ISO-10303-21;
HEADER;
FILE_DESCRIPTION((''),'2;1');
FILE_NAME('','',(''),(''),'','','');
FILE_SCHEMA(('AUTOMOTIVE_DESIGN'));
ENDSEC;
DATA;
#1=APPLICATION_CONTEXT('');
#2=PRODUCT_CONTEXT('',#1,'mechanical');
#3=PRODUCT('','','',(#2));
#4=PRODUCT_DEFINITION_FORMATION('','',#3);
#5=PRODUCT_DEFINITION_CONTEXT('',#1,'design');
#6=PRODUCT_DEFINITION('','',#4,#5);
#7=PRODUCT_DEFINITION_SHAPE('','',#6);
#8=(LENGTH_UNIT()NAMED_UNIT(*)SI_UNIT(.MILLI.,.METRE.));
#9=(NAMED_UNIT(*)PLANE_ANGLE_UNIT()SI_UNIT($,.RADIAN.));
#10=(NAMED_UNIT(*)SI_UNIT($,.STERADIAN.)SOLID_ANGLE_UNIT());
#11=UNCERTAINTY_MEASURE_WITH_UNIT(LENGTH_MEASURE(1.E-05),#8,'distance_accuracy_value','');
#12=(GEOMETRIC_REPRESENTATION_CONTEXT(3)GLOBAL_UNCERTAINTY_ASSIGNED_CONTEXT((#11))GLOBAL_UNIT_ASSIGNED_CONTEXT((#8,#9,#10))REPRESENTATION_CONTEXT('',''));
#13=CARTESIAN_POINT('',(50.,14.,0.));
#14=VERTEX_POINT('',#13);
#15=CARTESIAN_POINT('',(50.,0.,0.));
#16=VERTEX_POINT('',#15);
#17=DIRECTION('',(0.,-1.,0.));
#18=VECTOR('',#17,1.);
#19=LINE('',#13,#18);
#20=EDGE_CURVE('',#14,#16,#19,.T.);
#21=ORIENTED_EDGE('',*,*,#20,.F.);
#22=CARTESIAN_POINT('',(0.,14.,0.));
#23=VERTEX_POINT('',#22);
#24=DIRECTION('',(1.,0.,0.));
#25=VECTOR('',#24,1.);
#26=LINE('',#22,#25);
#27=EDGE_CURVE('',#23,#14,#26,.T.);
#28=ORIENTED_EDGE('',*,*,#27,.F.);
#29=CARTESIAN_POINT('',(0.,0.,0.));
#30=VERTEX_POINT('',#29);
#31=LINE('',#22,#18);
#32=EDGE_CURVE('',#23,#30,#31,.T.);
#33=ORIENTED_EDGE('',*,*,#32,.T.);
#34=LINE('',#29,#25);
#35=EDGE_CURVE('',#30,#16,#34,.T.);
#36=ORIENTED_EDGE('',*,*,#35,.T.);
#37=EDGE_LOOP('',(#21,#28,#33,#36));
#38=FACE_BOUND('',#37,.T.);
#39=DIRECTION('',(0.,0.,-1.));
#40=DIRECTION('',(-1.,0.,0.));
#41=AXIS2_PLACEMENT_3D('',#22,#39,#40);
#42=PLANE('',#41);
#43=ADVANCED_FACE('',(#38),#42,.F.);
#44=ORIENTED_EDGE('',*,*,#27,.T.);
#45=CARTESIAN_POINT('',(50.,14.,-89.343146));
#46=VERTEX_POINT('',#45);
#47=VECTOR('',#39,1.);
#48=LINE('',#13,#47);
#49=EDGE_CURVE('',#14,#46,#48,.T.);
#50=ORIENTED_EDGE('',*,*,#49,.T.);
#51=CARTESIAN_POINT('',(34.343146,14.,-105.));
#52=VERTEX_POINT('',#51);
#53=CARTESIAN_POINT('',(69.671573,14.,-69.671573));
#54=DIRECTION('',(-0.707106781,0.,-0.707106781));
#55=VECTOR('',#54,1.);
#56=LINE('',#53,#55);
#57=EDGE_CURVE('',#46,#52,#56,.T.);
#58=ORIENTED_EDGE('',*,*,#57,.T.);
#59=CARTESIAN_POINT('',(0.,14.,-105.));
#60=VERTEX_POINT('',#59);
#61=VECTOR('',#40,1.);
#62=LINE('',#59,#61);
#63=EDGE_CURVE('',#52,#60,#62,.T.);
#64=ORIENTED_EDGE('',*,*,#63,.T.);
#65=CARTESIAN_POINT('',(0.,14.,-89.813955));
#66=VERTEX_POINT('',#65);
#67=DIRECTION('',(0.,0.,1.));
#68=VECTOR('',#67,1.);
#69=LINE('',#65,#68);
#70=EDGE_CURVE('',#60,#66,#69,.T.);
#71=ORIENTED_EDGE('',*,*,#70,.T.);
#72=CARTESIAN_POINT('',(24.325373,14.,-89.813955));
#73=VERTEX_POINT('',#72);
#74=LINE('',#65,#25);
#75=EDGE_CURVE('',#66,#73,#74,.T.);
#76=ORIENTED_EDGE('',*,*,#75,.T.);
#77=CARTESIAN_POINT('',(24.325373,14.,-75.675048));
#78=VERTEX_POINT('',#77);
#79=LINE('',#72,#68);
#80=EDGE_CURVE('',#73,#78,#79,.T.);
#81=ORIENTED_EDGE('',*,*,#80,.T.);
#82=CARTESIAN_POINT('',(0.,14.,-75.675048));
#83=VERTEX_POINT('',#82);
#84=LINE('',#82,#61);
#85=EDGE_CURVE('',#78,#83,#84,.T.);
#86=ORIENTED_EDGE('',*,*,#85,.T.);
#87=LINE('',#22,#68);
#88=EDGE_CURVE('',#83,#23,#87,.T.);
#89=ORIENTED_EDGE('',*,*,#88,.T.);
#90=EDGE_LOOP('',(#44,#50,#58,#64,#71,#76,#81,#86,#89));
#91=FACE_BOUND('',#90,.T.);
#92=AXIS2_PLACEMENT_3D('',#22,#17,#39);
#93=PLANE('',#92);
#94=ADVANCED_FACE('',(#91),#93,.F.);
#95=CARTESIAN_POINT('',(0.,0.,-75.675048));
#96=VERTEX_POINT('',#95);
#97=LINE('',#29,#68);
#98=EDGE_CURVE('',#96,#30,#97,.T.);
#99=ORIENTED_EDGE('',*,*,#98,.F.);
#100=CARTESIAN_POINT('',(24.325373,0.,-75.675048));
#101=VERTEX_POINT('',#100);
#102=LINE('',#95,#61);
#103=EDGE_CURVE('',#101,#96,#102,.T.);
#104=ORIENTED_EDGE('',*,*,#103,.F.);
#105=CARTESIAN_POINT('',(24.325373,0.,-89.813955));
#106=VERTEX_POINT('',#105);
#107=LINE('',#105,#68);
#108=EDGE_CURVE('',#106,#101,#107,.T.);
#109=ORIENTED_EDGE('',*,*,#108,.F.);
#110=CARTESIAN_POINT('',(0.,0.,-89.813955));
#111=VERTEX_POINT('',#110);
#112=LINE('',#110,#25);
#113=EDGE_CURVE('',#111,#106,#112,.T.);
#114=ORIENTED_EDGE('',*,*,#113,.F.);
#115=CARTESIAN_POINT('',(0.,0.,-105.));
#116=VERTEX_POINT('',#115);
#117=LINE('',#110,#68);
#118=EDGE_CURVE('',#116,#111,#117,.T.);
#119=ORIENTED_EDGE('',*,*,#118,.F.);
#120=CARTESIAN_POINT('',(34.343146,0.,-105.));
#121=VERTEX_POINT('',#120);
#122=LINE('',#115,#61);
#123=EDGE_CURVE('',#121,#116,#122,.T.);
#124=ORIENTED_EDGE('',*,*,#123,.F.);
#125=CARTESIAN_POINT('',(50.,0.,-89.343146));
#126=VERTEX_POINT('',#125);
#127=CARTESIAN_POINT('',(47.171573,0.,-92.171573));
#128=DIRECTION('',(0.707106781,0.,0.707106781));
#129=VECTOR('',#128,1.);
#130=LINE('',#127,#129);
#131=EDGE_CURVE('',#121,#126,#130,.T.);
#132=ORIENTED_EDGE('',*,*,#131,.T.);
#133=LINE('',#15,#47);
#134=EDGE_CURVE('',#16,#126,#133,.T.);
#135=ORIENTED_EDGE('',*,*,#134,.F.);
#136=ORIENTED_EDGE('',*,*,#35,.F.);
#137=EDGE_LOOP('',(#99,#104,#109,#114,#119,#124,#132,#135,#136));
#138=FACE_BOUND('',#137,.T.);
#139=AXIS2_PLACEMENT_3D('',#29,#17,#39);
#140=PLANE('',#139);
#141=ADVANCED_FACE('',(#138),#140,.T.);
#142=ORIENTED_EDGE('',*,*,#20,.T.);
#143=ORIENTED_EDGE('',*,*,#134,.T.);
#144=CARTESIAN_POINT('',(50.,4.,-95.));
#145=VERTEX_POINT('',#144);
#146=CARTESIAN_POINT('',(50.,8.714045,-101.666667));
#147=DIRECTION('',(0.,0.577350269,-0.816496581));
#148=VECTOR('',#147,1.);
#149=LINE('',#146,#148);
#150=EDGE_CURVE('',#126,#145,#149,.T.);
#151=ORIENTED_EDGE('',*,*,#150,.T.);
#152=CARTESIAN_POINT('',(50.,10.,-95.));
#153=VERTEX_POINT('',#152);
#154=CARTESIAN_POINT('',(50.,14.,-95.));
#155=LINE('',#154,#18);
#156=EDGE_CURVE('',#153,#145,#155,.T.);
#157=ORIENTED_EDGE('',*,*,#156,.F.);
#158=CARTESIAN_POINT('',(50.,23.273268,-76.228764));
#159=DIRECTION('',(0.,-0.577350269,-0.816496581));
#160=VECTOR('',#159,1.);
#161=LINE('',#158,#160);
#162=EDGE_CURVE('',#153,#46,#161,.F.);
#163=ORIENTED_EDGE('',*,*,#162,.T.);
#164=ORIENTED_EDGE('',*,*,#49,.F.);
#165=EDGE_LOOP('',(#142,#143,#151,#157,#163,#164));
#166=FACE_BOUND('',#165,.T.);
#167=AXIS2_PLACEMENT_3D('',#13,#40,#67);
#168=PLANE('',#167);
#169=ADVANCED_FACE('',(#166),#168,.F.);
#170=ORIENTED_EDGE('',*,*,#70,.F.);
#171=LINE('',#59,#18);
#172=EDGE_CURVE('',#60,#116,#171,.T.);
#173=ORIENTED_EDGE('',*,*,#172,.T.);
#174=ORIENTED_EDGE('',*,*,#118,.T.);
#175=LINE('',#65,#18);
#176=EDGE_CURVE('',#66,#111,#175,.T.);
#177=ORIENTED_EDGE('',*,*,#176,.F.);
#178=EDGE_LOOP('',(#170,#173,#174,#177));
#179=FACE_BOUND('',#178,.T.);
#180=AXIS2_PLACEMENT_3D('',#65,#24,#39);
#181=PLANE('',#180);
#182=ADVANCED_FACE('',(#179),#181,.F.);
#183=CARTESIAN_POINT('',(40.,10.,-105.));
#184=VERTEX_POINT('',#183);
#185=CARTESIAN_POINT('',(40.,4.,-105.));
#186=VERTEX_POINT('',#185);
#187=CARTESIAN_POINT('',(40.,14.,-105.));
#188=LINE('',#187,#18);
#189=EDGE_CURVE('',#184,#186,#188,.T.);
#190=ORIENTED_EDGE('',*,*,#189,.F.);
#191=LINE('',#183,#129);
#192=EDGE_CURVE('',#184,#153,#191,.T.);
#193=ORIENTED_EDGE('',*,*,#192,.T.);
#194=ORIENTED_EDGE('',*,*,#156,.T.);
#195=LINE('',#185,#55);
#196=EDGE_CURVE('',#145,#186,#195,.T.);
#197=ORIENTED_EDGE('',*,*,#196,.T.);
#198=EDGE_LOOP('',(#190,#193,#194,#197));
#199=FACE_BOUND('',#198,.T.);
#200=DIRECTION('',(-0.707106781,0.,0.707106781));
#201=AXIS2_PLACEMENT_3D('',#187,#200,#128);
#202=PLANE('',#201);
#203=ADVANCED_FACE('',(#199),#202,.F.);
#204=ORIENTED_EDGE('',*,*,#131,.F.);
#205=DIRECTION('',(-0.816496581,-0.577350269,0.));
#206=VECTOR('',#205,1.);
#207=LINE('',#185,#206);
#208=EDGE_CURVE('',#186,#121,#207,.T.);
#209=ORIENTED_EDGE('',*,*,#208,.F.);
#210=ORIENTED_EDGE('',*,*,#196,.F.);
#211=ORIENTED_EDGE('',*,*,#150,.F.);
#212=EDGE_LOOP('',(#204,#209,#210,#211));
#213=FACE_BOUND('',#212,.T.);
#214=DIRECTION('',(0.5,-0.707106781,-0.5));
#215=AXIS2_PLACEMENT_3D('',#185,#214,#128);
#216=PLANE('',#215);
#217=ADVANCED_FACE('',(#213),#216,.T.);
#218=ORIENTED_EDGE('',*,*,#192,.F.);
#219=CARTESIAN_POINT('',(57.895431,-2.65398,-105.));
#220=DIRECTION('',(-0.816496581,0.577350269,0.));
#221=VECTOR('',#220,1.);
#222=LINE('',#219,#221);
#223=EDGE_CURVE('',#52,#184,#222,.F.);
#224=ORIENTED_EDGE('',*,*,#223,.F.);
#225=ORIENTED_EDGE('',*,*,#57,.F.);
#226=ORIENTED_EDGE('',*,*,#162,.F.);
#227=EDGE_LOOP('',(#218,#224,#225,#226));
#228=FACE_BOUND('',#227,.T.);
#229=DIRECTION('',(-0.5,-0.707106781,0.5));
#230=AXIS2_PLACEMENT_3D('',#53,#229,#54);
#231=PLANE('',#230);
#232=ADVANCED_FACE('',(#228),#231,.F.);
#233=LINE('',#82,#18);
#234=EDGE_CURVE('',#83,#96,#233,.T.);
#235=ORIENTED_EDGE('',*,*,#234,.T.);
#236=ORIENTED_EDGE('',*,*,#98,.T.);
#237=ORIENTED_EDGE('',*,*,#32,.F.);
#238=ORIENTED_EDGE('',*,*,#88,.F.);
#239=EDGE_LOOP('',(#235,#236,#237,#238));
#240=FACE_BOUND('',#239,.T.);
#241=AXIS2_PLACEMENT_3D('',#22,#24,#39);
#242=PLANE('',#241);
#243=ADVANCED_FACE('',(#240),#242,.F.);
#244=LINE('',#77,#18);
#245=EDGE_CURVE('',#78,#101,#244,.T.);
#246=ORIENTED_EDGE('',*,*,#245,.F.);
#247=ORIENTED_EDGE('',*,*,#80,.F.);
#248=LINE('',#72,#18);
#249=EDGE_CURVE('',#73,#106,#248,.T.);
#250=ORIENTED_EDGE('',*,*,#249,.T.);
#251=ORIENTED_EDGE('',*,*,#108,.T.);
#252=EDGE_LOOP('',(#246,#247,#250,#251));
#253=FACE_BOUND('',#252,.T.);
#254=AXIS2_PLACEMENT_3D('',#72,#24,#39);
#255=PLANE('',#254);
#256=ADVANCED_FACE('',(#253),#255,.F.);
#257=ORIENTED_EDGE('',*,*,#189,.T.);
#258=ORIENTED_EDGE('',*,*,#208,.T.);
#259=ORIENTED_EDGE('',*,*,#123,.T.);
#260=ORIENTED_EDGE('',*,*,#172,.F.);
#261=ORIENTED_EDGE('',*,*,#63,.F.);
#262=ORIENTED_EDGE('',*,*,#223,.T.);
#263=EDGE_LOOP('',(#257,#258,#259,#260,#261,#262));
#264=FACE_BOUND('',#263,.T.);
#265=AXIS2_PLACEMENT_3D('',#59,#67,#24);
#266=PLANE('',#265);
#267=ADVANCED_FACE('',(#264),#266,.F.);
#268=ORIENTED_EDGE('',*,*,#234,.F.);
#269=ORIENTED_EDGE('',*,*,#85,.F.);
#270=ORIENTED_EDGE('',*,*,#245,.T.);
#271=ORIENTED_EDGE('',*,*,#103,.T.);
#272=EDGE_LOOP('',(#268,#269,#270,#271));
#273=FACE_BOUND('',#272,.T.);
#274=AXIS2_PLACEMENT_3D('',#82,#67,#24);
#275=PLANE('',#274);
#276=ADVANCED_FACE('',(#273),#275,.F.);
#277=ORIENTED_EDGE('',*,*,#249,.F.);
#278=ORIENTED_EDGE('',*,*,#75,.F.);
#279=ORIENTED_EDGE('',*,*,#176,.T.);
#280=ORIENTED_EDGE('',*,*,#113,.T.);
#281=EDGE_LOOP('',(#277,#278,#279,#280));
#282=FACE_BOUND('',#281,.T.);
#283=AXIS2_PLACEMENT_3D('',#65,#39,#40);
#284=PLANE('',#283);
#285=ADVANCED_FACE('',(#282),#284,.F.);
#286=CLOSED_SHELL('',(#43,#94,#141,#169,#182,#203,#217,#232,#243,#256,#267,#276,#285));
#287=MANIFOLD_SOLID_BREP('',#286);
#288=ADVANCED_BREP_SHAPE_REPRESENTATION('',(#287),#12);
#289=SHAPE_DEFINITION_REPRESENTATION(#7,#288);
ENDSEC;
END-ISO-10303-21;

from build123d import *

# Parameters (mm, degrees)
EXTRUDE_1_DEPTH = 14
CHAMFER_1_SIZE  = 4


with BuildPart() as part:
    # 草图1 → 凸台-拉伸1 (new body)
    with BuildSketch(Plane(origin=(0, 0, 0), x_dir=(1, 0, 0), z_dir=(0, 1, 0))):
        Polygon((40, 105), (50, 95), (50, 0), (0, 0), (0, 75.675047551), (24.325372692, 75.675047551), (24.325372692, 89.813954871), (0, 89.813954871), (0, 105), align=None)
    extrude(amount=EXTRUDE_1_DEPTH)

    # 倒角1
    chamfer_1_edges = [part.edges().sort_by_distance(p)[0] for p in [
        (45, 0, -100),
        (45, 14, -100),
    ]]
    chamfer(chamfer_1_edges, length=CHAMFER_1_SIZE)


solid = part.part
